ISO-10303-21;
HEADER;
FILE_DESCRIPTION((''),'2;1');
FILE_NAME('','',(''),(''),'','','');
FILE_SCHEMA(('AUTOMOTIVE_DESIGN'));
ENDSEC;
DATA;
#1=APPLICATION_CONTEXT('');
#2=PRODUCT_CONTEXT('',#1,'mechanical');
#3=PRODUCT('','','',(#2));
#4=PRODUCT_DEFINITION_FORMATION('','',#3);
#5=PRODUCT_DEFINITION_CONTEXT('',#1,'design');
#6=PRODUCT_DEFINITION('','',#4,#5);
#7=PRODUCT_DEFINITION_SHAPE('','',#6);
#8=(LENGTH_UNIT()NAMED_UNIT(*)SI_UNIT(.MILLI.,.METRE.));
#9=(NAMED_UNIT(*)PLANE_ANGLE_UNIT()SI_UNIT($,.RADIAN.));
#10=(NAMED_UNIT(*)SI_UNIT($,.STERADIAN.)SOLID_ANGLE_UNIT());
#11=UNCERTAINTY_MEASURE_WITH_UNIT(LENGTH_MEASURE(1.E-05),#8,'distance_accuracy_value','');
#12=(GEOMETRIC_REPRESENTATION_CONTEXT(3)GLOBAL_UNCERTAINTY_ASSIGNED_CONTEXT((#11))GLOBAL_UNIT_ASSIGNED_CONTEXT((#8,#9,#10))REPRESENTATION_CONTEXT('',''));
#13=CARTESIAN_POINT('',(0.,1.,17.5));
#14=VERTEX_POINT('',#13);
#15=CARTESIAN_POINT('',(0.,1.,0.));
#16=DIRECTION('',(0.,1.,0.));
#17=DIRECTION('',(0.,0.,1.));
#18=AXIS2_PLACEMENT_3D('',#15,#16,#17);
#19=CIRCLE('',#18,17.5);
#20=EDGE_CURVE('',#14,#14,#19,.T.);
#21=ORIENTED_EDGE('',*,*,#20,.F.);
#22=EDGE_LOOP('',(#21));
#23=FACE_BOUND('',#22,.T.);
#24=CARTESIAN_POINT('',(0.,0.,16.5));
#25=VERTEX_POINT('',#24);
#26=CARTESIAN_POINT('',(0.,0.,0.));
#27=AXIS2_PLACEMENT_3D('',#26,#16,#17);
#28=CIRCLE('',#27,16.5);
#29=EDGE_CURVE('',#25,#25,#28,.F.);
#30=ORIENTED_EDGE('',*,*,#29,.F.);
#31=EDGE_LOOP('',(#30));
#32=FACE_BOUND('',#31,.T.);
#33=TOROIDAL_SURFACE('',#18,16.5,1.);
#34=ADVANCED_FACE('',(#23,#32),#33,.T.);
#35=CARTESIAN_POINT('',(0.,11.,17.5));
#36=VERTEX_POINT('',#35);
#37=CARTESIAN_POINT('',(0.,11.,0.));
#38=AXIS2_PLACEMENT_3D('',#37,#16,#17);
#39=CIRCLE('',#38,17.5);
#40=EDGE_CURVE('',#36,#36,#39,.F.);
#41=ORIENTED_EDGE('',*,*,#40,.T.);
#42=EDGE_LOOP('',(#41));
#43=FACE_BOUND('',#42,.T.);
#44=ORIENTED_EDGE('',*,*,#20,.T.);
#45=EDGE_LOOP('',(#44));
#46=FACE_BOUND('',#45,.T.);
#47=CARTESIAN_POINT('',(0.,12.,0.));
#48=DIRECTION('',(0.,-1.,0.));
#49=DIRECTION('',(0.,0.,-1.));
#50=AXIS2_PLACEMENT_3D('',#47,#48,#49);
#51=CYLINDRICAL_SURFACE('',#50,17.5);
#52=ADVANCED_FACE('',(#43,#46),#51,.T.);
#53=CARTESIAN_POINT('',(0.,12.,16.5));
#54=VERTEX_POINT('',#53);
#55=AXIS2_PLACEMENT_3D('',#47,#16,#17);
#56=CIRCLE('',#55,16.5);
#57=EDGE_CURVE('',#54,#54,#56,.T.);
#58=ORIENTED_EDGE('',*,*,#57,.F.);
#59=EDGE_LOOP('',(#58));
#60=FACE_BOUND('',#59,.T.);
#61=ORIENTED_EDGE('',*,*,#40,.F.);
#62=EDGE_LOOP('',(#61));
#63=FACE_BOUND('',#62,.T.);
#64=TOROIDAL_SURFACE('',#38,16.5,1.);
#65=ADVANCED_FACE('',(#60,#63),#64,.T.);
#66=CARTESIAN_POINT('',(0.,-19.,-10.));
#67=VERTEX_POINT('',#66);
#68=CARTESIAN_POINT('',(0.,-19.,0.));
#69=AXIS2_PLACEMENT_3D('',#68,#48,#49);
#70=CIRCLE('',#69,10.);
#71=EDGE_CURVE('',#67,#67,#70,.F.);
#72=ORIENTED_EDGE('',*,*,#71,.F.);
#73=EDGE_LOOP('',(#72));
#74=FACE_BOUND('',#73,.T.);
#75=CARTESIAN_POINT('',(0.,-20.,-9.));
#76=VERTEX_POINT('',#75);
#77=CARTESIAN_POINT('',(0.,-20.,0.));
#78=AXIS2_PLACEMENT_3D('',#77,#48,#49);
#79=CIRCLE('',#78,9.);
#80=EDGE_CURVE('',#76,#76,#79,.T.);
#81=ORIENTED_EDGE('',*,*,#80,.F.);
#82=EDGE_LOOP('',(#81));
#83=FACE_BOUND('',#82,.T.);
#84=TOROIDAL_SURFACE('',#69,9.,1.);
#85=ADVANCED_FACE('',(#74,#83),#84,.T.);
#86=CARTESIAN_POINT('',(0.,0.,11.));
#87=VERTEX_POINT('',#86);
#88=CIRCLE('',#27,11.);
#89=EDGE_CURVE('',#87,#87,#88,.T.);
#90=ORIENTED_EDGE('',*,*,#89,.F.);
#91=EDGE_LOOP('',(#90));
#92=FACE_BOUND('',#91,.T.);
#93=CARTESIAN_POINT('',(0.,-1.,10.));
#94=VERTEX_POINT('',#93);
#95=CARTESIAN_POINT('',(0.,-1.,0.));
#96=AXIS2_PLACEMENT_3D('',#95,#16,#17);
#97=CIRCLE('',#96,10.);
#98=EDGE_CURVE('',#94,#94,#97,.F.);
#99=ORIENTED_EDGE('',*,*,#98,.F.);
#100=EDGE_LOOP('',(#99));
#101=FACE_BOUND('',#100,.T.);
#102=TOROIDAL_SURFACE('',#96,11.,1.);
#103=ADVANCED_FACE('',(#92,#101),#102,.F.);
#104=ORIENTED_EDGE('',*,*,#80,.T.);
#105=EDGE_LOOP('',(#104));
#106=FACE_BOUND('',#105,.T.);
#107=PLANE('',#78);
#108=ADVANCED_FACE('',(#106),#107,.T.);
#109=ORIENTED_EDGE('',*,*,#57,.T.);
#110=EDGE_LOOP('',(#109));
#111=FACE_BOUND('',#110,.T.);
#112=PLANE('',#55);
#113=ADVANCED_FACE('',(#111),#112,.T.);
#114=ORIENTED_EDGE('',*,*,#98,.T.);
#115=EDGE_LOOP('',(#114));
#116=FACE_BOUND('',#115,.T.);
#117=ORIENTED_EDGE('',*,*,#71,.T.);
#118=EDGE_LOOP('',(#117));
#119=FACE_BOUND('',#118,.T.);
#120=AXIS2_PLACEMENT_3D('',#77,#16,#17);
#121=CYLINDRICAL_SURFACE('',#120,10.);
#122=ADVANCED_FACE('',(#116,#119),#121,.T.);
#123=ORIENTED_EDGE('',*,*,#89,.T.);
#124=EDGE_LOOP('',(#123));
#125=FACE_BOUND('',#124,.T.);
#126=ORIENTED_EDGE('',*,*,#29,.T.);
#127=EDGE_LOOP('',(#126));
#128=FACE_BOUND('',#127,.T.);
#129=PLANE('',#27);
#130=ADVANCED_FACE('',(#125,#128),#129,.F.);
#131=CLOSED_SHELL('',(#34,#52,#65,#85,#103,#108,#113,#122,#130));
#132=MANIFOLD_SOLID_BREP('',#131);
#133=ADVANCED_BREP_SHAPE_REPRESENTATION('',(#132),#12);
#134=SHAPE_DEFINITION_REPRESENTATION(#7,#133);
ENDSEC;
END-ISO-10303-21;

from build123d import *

# Parameters (mm, degrees)
SKETCH1_R           = 17.5
BOSS_EXTRUDE1_DEPTH = 12
SKETCH2_R           = 10
BOSS_EXTRUDE2_DEPTH = 20
FILLET1_R           = 1


with BuildPart() as part:
    # Sketch1 → Boss-Extrude1 (new body)
    with BuildSketch(Plane(origin=(0, 0, 0), x_dir=(1, 0, 0), z_dir=(0, 1, 0))):
        Circle(SKETCH1_R)
    extrude(amount=BOSS_EXTRUDE1_DEPTH)

    # Sketch2 → Boss-Extrude2 (add)
    with BuildSketch(Plane.XZ):
        Circle(SKETCH2_R)
    extrude(amount=BOSS_EXTRUDE2_DEPTH)

    # Fillet1
    fillet1_edges = [part.edges().sort_by_distance(p)[0] for p in [
        (-17.5, 0, 0),
        (-17.5, 12, 0),
        (-10, 0, 0),
        (-10, -20, 0),
    ]]
    fillet(fillet1_edges, radius=FILLET1_R)


solid = part.part
